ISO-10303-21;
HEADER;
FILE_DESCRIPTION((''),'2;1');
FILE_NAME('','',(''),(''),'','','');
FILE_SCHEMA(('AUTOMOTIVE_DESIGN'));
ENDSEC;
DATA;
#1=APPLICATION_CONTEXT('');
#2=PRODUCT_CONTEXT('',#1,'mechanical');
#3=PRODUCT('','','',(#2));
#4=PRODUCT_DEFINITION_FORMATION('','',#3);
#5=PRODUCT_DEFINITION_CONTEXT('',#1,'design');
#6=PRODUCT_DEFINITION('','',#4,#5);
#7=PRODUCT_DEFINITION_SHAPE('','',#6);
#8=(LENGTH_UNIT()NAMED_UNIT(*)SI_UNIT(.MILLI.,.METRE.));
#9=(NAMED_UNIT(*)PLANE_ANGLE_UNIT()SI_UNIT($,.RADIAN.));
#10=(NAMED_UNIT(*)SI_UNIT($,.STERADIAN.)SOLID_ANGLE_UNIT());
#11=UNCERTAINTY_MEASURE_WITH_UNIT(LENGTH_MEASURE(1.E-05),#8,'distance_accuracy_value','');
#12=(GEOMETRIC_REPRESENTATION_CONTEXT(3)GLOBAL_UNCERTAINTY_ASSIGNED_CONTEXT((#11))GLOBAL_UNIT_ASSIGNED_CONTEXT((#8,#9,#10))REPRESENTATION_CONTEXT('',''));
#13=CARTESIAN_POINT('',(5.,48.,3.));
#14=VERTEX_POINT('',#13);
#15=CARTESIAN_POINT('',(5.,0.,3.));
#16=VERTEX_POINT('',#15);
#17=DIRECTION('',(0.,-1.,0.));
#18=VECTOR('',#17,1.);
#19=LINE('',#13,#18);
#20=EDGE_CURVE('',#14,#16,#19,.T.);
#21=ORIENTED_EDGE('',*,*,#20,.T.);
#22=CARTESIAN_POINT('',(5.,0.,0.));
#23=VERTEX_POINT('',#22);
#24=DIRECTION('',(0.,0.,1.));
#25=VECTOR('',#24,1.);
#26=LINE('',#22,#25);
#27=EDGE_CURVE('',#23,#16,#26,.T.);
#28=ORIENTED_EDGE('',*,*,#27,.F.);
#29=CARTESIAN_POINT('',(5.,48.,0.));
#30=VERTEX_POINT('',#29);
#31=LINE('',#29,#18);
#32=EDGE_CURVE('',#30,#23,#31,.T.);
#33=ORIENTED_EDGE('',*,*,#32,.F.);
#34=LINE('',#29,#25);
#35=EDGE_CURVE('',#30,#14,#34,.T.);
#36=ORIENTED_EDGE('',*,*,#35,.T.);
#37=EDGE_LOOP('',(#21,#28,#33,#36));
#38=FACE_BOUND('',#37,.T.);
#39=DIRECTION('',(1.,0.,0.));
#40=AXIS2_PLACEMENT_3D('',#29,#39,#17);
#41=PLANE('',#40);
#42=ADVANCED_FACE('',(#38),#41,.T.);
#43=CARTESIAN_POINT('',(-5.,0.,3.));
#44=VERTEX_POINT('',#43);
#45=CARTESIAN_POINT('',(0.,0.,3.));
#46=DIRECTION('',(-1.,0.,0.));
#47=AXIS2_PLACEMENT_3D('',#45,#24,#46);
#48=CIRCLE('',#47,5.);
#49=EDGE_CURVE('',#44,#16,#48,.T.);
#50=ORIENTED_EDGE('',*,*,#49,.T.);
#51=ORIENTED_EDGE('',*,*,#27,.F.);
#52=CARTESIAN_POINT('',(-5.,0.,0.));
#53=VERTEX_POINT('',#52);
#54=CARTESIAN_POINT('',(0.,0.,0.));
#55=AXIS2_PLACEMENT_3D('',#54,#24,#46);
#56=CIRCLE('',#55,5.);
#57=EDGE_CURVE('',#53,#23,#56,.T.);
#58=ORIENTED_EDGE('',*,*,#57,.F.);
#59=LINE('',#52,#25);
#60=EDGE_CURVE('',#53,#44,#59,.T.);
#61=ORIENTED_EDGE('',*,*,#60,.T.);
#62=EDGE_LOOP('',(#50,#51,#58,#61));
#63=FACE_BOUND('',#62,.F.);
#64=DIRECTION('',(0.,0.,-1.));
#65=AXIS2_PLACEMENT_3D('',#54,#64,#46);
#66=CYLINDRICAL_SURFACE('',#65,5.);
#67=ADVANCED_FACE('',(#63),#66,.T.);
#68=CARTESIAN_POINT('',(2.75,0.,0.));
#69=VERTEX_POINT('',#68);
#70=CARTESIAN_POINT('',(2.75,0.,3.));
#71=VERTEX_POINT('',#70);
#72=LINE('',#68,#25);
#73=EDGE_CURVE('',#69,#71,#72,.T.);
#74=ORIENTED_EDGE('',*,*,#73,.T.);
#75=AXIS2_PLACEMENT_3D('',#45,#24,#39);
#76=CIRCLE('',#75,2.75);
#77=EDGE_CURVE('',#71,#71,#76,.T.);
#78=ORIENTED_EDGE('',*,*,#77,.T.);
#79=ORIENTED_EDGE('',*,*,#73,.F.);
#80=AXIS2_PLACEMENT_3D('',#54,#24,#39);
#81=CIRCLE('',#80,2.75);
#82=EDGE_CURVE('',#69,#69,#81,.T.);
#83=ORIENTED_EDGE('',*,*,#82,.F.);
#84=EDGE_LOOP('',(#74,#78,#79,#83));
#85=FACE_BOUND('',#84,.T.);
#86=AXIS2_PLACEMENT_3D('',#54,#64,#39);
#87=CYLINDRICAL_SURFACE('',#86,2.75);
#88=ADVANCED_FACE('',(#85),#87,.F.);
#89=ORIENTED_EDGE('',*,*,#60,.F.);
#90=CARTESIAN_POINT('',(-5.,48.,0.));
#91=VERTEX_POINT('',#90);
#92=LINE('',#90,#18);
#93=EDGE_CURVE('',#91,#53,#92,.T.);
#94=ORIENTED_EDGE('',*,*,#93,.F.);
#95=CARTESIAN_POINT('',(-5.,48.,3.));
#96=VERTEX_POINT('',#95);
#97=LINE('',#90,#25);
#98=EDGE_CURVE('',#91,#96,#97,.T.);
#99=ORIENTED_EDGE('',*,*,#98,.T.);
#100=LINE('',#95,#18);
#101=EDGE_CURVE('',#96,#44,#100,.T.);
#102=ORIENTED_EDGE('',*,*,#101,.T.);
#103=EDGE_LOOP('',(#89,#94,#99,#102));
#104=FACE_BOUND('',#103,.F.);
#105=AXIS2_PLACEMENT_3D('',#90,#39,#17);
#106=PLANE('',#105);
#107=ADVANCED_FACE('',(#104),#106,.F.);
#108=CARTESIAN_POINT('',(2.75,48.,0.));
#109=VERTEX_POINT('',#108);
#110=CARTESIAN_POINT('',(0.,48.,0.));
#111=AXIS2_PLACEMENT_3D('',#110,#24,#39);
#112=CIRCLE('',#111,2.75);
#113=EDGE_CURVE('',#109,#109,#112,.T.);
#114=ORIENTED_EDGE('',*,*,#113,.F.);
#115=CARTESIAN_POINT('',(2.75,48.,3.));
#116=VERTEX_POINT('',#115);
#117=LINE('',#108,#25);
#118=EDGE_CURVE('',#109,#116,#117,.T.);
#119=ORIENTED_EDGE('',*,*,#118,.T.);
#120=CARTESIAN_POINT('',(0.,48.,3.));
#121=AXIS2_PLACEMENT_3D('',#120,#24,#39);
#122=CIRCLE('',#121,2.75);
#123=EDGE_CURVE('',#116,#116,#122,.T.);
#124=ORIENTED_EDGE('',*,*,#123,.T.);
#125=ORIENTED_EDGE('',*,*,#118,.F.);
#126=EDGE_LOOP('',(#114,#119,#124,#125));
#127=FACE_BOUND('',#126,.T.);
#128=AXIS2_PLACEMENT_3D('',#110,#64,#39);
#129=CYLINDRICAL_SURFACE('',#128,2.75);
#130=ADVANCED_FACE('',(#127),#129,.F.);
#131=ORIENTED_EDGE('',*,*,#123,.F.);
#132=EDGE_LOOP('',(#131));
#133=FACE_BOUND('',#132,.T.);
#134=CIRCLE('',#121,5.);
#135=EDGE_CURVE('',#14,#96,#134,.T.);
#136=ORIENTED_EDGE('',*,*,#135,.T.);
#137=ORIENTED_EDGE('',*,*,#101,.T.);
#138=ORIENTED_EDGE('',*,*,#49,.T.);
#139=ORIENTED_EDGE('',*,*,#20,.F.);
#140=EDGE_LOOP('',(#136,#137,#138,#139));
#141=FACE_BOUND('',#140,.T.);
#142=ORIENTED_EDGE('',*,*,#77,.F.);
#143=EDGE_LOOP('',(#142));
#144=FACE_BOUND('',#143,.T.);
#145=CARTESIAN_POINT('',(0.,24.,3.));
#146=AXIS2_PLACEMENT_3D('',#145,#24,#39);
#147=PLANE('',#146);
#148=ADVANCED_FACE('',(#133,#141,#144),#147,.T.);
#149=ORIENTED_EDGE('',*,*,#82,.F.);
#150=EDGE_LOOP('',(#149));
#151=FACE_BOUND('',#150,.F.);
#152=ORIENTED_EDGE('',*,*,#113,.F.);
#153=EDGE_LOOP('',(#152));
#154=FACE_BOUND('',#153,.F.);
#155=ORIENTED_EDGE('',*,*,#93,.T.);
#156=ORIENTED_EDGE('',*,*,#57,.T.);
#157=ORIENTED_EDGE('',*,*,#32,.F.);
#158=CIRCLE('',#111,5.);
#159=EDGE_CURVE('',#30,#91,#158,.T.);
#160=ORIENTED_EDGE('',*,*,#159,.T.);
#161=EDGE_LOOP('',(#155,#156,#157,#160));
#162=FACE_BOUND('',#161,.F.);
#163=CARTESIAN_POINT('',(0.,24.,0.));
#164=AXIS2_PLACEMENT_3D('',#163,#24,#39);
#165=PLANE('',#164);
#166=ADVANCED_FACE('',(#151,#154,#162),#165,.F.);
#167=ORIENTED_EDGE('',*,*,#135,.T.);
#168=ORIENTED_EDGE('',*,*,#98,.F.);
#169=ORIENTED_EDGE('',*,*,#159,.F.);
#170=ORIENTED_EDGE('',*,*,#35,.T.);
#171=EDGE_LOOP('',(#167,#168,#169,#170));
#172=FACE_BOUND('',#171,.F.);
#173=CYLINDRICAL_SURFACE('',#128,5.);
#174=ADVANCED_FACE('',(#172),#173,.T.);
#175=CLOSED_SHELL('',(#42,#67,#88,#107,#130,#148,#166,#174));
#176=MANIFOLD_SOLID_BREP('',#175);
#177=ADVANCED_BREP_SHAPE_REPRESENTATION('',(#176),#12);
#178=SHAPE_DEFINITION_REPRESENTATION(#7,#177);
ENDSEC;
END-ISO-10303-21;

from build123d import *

# Parameters (mm, degrees)
SKETCH_R  = 2.75
PAD_DEPTH = 3


with BuildPart() as part:
    # Sketch → Pad (new body)
    with BuildSketch(Plane.XY):
        with BuildLine():
            ThreePointArc((5, 48), (0, 53), (-5, 48))
            Line((-5, 48), (-5, 0))
            ThreePointArc((-5, 0), (0, -5), (5, 0))
            Line((5, 48), (5, 0))
        make_face()
        with Locations((0, 48)):
            Circle(SKETCH_R, mode=Mode.SUBTRACT)
        Circle(SKETCH_R, mode=Mode.SUBTRACT)
    extrude(amount=PAD_DEPTH)


solid = part.part
